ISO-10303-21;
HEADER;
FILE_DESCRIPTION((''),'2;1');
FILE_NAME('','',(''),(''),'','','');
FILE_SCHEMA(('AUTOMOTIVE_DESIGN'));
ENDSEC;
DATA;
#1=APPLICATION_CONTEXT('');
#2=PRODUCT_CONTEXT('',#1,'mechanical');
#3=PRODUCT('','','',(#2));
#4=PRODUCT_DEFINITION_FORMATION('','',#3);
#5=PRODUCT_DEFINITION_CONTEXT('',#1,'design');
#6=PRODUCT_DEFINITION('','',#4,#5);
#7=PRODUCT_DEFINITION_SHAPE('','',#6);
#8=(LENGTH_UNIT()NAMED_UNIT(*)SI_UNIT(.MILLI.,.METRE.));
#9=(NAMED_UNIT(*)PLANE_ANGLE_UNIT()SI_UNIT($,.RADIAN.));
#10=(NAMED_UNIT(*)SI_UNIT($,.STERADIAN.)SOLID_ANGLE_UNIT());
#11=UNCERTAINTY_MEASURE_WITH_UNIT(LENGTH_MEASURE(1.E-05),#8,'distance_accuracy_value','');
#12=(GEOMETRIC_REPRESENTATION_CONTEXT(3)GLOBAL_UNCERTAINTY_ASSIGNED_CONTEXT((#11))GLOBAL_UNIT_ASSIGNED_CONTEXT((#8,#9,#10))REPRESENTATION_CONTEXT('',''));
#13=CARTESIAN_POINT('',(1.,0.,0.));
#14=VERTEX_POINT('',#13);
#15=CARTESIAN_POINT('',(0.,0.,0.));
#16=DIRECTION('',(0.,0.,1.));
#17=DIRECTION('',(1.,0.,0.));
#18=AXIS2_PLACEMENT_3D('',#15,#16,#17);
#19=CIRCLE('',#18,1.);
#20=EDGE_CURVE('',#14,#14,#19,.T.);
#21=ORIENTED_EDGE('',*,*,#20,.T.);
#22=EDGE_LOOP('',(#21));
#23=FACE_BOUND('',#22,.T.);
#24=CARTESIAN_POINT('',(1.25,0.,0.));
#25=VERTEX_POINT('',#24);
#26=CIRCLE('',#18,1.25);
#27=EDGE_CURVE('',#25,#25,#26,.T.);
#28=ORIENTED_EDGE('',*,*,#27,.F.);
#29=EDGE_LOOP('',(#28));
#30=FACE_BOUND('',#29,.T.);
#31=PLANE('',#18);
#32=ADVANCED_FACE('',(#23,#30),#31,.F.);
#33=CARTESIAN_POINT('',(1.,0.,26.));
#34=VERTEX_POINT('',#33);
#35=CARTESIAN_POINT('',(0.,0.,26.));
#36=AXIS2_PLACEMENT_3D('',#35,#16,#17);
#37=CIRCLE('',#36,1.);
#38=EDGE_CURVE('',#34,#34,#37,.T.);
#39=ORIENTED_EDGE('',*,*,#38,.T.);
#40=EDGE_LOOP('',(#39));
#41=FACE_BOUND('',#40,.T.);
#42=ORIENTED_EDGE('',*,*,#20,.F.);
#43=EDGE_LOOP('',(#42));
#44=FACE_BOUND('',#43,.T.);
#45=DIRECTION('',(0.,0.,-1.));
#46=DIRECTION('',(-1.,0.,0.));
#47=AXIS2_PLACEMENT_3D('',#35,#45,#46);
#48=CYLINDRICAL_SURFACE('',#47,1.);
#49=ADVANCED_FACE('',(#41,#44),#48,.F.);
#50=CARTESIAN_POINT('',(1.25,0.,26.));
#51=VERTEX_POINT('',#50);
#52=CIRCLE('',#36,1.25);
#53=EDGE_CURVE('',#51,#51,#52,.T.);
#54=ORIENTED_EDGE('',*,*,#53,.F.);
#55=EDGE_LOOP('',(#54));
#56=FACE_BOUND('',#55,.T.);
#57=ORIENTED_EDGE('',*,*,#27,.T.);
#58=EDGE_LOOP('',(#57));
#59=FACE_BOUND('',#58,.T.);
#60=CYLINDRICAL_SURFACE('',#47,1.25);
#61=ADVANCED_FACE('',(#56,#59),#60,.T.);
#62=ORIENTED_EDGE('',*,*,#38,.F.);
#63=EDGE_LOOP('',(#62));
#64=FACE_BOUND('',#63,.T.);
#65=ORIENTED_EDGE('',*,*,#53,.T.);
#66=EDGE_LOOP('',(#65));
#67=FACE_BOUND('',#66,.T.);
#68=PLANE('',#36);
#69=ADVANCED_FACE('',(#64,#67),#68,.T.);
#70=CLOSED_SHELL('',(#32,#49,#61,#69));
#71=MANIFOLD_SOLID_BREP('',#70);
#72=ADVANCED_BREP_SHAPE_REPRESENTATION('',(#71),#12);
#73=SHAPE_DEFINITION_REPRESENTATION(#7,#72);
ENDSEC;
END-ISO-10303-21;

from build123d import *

# Parameters (mm, degrees)
SKETCH1_R           = 1.25
SKETCH1_R_2         = 1
BOSS_EXTRUDE1_DEPTH = 26


with BuildPart() as part:
    # Sketch1 → Boss-Extrude1 (new body)
    with BuildSketch(Plane.XY):
        Circle(SKETCH1_R)
        Circle(SKETCH1_R_2, mode=Mode.SUBTRACT)
    extrude(amount=BOSS_EXTRUDE1_DEPTH)


solid = part.part
